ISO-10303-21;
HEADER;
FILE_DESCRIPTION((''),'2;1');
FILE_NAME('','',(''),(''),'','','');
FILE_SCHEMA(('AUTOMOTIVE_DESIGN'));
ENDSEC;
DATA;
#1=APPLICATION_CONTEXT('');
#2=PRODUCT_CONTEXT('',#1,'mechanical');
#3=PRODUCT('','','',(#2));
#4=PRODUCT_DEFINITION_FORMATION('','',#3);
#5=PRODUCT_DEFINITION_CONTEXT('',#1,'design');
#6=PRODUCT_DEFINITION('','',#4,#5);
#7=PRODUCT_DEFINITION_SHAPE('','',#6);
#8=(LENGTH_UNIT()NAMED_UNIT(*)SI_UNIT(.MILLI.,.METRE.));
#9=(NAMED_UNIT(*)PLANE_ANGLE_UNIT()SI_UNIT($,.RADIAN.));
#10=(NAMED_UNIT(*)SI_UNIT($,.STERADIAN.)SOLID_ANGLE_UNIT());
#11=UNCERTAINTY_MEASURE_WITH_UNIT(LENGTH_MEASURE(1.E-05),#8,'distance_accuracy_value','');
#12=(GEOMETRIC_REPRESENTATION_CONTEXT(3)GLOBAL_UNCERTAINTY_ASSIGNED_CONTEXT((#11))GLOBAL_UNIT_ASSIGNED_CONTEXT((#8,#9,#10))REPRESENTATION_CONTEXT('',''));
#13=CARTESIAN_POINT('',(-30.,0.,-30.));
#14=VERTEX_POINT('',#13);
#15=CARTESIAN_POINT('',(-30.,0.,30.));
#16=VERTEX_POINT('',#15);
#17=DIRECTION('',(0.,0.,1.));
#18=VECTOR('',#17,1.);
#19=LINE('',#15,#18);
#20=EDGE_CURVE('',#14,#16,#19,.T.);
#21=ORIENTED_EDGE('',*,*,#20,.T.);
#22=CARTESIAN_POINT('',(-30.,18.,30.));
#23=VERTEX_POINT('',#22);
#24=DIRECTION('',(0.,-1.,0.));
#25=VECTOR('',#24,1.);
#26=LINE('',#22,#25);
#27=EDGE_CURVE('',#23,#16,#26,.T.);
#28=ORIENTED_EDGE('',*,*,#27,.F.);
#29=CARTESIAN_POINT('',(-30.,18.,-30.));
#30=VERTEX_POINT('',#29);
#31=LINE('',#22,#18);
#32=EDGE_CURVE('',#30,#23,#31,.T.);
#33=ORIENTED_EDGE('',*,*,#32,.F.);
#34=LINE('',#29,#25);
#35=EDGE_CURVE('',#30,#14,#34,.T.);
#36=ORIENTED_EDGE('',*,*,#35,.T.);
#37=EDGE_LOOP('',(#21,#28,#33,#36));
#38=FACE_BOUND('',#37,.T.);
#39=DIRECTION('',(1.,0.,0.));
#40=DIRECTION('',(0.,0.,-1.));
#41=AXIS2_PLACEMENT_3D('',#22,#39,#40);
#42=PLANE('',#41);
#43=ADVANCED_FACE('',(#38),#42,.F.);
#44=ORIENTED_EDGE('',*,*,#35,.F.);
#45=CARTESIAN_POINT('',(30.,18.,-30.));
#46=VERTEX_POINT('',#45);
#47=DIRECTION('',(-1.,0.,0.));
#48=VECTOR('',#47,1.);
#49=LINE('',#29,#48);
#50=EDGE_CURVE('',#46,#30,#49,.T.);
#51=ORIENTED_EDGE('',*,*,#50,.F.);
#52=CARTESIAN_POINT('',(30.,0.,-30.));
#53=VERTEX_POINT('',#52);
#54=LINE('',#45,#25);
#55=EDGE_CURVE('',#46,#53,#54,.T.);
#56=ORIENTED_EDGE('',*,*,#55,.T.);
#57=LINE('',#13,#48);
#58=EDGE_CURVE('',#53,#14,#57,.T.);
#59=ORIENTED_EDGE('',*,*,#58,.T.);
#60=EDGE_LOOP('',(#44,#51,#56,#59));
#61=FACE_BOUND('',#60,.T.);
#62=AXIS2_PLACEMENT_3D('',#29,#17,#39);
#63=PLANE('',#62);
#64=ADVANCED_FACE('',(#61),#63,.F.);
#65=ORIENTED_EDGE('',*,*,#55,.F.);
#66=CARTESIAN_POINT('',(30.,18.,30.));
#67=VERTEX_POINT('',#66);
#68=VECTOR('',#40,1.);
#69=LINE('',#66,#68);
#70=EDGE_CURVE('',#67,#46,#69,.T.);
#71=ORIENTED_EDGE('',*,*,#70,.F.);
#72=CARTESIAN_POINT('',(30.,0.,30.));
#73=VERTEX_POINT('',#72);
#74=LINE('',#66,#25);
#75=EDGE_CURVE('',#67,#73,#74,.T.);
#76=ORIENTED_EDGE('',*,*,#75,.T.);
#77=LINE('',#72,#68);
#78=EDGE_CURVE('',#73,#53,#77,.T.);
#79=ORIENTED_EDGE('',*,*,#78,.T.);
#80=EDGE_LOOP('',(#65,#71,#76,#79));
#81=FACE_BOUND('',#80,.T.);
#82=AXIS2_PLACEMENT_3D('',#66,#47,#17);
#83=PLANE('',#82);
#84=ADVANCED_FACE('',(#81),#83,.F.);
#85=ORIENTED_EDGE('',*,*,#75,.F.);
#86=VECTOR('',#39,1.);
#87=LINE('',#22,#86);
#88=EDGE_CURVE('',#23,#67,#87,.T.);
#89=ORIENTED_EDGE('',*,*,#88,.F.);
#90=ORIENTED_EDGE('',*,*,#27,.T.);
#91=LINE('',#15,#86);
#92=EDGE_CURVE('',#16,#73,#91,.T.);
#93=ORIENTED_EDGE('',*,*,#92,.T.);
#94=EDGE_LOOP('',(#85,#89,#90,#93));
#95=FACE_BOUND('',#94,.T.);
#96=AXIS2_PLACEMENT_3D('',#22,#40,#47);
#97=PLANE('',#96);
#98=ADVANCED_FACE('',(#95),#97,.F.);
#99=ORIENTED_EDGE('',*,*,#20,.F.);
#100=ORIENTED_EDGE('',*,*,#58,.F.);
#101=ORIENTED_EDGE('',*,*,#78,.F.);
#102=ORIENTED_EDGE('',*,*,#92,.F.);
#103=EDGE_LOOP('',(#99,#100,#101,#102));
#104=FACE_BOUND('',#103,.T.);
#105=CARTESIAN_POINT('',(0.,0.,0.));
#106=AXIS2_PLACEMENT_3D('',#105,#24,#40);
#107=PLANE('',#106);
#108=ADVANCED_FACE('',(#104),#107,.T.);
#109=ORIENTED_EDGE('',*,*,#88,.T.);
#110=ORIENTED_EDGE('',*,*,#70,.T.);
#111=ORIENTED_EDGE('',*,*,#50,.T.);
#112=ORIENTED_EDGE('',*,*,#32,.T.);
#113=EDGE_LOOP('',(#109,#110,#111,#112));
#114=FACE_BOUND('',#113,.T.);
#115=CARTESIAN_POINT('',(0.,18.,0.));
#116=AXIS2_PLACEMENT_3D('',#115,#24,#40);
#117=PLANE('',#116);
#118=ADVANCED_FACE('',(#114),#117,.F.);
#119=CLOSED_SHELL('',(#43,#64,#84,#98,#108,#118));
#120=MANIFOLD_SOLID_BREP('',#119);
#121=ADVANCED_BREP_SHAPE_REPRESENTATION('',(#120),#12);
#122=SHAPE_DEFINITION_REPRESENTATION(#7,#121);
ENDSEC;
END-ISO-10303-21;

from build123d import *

# Parameters (mm, degrees)
SKETCH_1_W      = 60
SKETCH_1_H      = 60
EXTRUDE_1_DEPTH = 18


with BuildPart() as part:
    # 草图1 → 凸台-拉伸1 (new body)
    with BuildSketch(Plane(origin=(0, 0, 0), x_dir=(1, 0, 0), z_dir=(0, 1, 0))):
        Rectangle(SKETCH_1_W, SKETCH_1_H)
    extrude(amount=EXTRUDE_1_DEPTH)


solid = part.part
